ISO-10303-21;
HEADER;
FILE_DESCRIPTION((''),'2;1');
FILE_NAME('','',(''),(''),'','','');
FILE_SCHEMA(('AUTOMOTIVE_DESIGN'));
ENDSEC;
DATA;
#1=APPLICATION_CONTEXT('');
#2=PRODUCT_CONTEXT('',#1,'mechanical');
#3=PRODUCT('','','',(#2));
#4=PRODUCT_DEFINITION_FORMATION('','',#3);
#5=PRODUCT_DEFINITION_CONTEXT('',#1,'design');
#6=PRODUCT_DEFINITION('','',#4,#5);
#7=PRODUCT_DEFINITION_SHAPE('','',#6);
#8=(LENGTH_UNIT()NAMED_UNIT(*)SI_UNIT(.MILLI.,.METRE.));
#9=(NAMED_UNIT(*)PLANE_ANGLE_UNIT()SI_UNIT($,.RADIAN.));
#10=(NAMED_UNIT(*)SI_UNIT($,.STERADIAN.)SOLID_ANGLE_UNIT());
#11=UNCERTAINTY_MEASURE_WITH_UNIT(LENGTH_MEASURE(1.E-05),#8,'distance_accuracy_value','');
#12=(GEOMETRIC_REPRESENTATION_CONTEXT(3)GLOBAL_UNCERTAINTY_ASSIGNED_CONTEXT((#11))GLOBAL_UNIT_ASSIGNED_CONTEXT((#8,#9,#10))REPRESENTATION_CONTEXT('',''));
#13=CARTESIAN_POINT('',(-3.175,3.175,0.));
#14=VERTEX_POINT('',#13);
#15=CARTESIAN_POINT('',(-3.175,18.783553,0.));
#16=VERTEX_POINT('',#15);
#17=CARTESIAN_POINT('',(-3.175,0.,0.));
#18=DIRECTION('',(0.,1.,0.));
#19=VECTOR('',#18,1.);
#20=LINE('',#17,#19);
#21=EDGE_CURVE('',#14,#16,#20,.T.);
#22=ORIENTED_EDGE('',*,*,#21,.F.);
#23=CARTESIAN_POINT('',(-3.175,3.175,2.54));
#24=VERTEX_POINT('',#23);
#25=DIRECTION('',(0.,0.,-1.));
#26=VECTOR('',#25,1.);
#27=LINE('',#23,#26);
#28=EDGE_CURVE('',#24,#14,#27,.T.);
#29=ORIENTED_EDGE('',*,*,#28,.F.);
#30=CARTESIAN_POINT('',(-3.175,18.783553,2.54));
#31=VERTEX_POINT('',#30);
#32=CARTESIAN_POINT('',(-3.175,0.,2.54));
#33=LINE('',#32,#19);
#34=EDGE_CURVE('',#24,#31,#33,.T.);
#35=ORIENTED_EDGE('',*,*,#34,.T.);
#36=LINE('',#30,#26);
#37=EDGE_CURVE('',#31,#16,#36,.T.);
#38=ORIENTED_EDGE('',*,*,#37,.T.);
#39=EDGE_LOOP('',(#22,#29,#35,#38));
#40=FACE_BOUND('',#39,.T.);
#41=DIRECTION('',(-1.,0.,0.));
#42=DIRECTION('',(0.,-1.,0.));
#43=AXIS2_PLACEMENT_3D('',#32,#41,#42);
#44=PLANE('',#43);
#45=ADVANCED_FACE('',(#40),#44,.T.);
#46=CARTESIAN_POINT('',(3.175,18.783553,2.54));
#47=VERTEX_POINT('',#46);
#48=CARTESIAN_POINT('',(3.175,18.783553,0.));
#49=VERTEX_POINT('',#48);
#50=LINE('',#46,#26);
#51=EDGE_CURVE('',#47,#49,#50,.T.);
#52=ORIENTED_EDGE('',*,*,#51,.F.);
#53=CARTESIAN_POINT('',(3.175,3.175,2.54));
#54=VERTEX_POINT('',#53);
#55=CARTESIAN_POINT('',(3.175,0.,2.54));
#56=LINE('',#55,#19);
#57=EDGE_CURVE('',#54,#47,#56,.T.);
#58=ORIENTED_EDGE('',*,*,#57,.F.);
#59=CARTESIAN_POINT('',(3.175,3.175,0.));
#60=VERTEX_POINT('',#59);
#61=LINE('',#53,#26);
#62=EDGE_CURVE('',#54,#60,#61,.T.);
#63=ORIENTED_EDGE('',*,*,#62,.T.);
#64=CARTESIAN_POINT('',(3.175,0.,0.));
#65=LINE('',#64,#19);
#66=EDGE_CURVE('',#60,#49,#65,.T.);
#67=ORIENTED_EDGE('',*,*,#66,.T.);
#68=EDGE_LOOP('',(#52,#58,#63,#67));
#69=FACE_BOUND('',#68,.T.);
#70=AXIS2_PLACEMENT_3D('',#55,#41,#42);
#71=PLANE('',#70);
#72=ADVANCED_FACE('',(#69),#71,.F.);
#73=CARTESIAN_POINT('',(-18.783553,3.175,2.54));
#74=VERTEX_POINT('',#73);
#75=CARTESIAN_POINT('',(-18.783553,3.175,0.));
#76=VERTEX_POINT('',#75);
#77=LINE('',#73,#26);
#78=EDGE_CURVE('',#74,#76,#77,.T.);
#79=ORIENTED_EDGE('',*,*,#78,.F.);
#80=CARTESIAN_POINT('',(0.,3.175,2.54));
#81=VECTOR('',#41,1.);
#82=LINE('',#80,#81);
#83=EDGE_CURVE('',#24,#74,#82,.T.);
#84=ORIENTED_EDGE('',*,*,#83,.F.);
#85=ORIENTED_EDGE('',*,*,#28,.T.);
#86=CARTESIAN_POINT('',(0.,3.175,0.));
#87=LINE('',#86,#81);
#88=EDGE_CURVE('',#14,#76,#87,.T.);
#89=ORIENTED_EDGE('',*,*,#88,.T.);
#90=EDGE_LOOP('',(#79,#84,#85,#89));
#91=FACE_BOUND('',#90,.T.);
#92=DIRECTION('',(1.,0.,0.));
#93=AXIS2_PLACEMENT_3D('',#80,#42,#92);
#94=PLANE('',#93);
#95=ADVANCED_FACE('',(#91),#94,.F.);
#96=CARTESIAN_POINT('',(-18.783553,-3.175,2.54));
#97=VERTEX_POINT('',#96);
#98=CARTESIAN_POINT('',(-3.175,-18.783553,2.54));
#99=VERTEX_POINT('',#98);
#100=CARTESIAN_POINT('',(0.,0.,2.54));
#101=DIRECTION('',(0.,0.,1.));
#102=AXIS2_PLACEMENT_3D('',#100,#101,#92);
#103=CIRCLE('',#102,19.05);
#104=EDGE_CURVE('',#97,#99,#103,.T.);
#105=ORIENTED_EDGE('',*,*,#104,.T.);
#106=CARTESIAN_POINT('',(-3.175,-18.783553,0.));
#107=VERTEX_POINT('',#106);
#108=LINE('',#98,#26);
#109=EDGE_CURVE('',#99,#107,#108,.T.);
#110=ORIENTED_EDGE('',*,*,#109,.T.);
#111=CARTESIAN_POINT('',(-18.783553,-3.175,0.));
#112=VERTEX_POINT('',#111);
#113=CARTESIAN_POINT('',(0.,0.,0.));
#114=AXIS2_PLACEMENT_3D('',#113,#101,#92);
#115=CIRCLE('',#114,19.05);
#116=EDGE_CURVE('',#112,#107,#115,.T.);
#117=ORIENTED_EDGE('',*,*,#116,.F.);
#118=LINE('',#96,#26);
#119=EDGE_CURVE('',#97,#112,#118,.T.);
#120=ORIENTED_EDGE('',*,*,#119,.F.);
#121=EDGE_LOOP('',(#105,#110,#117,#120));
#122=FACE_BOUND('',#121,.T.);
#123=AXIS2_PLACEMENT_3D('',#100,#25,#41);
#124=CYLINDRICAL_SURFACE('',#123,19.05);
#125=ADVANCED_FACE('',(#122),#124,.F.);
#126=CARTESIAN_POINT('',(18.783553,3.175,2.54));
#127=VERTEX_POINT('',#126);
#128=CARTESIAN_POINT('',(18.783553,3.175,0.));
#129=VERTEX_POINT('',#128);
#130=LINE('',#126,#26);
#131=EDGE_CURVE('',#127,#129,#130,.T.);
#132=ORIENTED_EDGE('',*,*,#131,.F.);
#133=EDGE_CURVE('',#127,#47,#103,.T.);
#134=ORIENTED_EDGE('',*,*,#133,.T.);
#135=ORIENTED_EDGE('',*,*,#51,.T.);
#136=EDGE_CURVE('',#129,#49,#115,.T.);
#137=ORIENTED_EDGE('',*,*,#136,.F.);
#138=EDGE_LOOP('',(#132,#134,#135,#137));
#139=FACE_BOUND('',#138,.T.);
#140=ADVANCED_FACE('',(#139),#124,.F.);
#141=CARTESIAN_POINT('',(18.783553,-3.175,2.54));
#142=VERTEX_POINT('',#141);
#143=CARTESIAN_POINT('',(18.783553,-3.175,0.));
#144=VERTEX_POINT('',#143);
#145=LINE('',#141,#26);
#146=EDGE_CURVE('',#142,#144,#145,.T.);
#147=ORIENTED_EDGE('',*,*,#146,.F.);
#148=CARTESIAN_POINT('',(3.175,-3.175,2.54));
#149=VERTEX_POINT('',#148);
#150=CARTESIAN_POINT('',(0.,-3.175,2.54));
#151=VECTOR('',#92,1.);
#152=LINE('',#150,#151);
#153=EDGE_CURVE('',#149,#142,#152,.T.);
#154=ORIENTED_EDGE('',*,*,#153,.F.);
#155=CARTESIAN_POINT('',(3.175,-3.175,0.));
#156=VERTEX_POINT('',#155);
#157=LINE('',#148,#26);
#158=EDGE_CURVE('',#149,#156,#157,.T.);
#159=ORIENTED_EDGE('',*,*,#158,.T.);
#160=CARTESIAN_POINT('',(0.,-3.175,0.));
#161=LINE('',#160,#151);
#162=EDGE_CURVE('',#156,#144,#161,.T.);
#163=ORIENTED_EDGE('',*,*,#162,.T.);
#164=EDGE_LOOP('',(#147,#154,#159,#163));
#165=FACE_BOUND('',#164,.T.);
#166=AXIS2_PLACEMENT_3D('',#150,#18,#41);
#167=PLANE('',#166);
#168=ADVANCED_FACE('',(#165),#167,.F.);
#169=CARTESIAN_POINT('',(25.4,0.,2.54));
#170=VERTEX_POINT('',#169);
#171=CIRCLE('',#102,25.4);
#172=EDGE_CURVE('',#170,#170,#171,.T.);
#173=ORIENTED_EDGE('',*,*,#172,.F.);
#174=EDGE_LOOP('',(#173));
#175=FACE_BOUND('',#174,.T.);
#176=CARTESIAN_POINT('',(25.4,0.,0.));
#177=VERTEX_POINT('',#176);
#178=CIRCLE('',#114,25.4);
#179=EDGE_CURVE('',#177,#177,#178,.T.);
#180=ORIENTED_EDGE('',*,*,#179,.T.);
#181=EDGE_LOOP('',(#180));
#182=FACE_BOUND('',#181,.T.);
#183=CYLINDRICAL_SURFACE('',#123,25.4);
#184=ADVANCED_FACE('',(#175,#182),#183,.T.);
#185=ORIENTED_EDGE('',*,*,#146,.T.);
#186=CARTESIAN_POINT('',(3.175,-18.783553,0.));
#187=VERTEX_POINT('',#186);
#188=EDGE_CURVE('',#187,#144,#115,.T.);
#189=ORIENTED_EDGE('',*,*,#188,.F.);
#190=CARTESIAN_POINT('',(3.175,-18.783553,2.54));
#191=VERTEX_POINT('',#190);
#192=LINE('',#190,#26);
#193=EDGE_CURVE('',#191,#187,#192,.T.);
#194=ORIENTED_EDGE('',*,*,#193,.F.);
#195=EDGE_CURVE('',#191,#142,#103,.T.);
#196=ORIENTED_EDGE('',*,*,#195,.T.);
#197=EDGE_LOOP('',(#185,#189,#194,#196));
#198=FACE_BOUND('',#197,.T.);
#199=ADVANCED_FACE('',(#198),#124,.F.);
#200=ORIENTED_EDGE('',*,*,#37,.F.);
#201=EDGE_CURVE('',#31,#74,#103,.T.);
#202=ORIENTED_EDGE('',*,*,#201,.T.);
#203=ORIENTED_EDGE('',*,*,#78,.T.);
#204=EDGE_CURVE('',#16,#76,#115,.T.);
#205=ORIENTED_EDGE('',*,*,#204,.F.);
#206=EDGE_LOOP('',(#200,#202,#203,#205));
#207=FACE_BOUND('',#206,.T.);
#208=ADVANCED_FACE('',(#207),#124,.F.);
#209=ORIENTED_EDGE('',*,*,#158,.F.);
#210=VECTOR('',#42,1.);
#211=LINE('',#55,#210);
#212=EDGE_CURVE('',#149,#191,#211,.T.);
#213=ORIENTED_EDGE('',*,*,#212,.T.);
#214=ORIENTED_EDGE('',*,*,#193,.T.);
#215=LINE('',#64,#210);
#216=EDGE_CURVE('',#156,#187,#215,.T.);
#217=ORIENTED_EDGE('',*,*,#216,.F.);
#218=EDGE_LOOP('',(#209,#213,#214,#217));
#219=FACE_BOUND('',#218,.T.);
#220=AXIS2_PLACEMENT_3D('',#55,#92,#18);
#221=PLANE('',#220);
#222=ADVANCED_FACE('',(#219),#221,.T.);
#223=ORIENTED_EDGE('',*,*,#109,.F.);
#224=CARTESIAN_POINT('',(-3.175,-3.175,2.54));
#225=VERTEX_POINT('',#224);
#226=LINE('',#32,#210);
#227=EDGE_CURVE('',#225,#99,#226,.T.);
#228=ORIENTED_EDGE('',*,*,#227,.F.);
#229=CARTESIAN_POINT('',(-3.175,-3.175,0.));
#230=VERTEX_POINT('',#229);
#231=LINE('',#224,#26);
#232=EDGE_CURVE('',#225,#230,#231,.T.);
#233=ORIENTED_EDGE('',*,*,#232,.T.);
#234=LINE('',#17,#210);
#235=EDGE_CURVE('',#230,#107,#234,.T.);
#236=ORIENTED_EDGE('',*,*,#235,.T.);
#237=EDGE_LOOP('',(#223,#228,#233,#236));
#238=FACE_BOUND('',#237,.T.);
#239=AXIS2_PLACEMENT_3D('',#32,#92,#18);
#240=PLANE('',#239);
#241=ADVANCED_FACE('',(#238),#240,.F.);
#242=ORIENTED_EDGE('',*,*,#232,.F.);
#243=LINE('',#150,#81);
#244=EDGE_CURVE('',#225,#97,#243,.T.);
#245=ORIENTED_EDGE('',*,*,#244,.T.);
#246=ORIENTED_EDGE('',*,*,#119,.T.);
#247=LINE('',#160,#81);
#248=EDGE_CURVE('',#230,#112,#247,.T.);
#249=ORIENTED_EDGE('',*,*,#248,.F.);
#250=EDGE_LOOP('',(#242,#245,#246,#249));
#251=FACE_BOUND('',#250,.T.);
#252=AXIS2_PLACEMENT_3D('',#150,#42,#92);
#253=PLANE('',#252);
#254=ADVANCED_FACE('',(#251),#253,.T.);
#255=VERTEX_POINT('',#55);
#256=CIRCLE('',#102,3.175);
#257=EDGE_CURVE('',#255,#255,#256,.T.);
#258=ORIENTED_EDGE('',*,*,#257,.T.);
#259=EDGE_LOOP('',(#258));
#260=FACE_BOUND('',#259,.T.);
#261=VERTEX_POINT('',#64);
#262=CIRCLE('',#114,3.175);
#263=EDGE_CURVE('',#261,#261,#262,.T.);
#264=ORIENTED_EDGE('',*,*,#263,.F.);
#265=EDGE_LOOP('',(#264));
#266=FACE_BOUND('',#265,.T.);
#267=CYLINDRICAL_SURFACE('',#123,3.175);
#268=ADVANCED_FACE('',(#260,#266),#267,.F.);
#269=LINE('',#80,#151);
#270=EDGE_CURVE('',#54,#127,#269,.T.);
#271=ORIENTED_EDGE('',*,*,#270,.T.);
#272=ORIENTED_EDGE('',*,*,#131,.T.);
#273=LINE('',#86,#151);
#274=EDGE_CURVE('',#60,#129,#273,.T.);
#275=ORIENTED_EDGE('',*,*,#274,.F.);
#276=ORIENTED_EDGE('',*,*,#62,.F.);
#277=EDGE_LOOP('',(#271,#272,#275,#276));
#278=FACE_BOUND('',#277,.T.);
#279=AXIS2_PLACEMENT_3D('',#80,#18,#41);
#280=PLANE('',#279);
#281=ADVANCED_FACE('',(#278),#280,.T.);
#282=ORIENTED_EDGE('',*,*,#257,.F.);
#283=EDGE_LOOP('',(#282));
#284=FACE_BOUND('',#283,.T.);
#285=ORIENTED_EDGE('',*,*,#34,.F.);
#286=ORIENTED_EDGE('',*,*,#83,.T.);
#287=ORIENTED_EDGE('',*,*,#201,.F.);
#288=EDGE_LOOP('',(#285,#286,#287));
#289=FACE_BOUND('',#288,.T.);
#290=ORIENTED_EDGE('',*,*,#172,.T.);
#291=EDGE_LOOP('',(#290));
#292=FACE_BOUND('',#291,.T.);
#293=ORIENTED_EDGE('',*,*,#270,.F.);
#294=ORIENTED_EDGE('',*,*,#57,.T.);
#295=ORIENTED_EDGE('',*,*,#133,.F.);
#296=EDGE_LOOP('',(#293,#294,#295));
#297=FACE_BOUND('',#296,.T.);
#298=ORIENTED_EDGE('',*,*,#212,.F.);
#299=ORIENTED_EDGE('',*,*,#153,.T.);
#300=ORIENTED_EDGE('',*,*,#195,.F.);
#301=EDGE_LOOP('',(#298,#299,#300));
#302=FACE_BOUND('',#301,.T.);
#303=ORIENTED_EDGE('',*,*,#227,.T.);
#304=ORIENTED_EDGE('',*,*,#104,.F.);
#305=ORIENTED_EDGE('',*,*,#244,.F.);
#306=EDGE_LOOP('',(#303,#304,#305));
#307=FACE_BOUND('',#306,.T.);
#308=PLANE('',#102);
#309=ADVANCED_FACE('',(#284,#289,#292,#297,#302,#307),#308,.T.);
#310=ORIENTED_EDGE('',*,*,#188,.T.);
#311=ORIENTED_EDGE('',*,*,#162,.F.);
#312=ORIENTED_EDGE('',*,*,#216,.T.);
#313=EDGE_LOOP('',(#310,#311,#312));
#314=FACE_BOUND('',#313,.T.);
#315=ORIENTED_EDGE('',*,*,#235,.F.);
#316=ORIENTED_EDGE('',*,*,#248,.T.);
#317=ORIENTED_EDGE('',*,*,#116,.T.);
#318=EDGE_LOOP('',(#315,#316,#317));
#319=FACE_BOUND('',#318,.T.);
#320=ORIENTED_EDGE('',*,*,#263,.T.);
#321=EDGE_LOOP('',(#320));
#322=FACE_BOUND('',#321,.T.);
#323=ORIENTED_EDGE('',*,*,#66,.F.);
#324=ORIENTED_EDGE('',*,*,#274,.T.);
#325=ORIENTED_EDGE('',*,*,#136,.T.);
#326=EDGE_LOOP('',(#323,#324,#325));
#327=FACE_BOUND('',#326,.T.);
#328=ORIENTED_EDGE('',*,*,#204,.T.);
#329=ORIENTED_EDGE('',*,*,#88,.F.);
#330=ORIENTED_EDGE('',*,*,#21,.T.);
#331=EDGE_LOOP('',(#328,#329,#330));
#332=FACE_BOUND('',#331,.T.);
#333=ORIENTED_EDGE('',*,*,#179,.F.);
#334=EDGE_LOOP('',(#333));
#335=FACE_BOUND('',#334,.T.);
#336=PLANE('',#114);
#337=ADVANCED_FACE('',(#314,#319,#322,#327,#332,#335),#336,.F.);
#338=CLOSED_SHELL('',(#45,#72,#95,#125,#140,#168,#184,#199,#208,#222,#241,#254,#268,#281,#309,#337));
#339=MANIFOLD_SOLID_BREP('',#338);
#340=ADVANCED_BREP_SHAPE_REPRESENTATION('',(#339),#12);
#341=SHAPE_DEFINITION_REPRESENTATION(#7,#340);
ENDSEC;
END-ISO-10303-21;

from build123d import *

# Parameters (mm, degrees)
SKETCH1_R           = 25.4
BOSS_EXTRUDE1_DEPTH = 2.54
SKETCH1_4_R         = 3.175
CUT_EXTRUDE2_DEPTH  = 2.54


with BuildPart() as part:
    # Sketch1 → Boss-Extrude1 (new body)
    with BuildSketch(Plane.XY):
        Circle(SKETCH1_R)
    extrude(amount=BOSS_EXTRUDE1_DEPTH)

    # Sketch1<4> → Cut-Extrude2 (cut)
    with BuildSketch(Plane.XY):
        with BuildLine():
            Line((-3.175, -18.783553311), (-3.175, -3.175))
            Line((-3.175, -3.175), (-18.783553311, -3.175))
            ThreePointArc((-18.783553311, -3.175), (-13.470384182, -13.470384182), (-3.175, -18.783553311))
        make_face()
        with BuildLine():
            Line((-18.783553311, 3.175), (-3.175, 3.175))
            Line((-3.175, 3.175), (-3.175, 18.783553311))
            ThreePointArc((-3.175, 18.783553311), (-13.470384182, 13.470384182), (-18.783553311, 3.175))
        make_face()
        with BuildLine():
            Line((3.175, 18.783553311), (3.175, 3.175))
            Line((3.175, 3.175), (18.783553311, 3.175))
            ThreePointArc((18.783553311, 3.175), (13.470384182, 13.470384182), (3.175, 18.783553311))
        make_face()
        with BuildLine():
            Line((18.783553311, -3.175), (3.175, -3.175))
            Line((3.175, -3.175), (3.175, -18.783553311))
            ThreePointArc((3.175, -18.783553311), (13.470384182, -13.470384182), (18.783553311, -3.175))
        make_face()
        Circle(SKETCH1_4_R)
    extrude(amount=CUT_EXTRUDE2_DEPTH, mode=Mode.SUBTRACT)


solid = part.part
